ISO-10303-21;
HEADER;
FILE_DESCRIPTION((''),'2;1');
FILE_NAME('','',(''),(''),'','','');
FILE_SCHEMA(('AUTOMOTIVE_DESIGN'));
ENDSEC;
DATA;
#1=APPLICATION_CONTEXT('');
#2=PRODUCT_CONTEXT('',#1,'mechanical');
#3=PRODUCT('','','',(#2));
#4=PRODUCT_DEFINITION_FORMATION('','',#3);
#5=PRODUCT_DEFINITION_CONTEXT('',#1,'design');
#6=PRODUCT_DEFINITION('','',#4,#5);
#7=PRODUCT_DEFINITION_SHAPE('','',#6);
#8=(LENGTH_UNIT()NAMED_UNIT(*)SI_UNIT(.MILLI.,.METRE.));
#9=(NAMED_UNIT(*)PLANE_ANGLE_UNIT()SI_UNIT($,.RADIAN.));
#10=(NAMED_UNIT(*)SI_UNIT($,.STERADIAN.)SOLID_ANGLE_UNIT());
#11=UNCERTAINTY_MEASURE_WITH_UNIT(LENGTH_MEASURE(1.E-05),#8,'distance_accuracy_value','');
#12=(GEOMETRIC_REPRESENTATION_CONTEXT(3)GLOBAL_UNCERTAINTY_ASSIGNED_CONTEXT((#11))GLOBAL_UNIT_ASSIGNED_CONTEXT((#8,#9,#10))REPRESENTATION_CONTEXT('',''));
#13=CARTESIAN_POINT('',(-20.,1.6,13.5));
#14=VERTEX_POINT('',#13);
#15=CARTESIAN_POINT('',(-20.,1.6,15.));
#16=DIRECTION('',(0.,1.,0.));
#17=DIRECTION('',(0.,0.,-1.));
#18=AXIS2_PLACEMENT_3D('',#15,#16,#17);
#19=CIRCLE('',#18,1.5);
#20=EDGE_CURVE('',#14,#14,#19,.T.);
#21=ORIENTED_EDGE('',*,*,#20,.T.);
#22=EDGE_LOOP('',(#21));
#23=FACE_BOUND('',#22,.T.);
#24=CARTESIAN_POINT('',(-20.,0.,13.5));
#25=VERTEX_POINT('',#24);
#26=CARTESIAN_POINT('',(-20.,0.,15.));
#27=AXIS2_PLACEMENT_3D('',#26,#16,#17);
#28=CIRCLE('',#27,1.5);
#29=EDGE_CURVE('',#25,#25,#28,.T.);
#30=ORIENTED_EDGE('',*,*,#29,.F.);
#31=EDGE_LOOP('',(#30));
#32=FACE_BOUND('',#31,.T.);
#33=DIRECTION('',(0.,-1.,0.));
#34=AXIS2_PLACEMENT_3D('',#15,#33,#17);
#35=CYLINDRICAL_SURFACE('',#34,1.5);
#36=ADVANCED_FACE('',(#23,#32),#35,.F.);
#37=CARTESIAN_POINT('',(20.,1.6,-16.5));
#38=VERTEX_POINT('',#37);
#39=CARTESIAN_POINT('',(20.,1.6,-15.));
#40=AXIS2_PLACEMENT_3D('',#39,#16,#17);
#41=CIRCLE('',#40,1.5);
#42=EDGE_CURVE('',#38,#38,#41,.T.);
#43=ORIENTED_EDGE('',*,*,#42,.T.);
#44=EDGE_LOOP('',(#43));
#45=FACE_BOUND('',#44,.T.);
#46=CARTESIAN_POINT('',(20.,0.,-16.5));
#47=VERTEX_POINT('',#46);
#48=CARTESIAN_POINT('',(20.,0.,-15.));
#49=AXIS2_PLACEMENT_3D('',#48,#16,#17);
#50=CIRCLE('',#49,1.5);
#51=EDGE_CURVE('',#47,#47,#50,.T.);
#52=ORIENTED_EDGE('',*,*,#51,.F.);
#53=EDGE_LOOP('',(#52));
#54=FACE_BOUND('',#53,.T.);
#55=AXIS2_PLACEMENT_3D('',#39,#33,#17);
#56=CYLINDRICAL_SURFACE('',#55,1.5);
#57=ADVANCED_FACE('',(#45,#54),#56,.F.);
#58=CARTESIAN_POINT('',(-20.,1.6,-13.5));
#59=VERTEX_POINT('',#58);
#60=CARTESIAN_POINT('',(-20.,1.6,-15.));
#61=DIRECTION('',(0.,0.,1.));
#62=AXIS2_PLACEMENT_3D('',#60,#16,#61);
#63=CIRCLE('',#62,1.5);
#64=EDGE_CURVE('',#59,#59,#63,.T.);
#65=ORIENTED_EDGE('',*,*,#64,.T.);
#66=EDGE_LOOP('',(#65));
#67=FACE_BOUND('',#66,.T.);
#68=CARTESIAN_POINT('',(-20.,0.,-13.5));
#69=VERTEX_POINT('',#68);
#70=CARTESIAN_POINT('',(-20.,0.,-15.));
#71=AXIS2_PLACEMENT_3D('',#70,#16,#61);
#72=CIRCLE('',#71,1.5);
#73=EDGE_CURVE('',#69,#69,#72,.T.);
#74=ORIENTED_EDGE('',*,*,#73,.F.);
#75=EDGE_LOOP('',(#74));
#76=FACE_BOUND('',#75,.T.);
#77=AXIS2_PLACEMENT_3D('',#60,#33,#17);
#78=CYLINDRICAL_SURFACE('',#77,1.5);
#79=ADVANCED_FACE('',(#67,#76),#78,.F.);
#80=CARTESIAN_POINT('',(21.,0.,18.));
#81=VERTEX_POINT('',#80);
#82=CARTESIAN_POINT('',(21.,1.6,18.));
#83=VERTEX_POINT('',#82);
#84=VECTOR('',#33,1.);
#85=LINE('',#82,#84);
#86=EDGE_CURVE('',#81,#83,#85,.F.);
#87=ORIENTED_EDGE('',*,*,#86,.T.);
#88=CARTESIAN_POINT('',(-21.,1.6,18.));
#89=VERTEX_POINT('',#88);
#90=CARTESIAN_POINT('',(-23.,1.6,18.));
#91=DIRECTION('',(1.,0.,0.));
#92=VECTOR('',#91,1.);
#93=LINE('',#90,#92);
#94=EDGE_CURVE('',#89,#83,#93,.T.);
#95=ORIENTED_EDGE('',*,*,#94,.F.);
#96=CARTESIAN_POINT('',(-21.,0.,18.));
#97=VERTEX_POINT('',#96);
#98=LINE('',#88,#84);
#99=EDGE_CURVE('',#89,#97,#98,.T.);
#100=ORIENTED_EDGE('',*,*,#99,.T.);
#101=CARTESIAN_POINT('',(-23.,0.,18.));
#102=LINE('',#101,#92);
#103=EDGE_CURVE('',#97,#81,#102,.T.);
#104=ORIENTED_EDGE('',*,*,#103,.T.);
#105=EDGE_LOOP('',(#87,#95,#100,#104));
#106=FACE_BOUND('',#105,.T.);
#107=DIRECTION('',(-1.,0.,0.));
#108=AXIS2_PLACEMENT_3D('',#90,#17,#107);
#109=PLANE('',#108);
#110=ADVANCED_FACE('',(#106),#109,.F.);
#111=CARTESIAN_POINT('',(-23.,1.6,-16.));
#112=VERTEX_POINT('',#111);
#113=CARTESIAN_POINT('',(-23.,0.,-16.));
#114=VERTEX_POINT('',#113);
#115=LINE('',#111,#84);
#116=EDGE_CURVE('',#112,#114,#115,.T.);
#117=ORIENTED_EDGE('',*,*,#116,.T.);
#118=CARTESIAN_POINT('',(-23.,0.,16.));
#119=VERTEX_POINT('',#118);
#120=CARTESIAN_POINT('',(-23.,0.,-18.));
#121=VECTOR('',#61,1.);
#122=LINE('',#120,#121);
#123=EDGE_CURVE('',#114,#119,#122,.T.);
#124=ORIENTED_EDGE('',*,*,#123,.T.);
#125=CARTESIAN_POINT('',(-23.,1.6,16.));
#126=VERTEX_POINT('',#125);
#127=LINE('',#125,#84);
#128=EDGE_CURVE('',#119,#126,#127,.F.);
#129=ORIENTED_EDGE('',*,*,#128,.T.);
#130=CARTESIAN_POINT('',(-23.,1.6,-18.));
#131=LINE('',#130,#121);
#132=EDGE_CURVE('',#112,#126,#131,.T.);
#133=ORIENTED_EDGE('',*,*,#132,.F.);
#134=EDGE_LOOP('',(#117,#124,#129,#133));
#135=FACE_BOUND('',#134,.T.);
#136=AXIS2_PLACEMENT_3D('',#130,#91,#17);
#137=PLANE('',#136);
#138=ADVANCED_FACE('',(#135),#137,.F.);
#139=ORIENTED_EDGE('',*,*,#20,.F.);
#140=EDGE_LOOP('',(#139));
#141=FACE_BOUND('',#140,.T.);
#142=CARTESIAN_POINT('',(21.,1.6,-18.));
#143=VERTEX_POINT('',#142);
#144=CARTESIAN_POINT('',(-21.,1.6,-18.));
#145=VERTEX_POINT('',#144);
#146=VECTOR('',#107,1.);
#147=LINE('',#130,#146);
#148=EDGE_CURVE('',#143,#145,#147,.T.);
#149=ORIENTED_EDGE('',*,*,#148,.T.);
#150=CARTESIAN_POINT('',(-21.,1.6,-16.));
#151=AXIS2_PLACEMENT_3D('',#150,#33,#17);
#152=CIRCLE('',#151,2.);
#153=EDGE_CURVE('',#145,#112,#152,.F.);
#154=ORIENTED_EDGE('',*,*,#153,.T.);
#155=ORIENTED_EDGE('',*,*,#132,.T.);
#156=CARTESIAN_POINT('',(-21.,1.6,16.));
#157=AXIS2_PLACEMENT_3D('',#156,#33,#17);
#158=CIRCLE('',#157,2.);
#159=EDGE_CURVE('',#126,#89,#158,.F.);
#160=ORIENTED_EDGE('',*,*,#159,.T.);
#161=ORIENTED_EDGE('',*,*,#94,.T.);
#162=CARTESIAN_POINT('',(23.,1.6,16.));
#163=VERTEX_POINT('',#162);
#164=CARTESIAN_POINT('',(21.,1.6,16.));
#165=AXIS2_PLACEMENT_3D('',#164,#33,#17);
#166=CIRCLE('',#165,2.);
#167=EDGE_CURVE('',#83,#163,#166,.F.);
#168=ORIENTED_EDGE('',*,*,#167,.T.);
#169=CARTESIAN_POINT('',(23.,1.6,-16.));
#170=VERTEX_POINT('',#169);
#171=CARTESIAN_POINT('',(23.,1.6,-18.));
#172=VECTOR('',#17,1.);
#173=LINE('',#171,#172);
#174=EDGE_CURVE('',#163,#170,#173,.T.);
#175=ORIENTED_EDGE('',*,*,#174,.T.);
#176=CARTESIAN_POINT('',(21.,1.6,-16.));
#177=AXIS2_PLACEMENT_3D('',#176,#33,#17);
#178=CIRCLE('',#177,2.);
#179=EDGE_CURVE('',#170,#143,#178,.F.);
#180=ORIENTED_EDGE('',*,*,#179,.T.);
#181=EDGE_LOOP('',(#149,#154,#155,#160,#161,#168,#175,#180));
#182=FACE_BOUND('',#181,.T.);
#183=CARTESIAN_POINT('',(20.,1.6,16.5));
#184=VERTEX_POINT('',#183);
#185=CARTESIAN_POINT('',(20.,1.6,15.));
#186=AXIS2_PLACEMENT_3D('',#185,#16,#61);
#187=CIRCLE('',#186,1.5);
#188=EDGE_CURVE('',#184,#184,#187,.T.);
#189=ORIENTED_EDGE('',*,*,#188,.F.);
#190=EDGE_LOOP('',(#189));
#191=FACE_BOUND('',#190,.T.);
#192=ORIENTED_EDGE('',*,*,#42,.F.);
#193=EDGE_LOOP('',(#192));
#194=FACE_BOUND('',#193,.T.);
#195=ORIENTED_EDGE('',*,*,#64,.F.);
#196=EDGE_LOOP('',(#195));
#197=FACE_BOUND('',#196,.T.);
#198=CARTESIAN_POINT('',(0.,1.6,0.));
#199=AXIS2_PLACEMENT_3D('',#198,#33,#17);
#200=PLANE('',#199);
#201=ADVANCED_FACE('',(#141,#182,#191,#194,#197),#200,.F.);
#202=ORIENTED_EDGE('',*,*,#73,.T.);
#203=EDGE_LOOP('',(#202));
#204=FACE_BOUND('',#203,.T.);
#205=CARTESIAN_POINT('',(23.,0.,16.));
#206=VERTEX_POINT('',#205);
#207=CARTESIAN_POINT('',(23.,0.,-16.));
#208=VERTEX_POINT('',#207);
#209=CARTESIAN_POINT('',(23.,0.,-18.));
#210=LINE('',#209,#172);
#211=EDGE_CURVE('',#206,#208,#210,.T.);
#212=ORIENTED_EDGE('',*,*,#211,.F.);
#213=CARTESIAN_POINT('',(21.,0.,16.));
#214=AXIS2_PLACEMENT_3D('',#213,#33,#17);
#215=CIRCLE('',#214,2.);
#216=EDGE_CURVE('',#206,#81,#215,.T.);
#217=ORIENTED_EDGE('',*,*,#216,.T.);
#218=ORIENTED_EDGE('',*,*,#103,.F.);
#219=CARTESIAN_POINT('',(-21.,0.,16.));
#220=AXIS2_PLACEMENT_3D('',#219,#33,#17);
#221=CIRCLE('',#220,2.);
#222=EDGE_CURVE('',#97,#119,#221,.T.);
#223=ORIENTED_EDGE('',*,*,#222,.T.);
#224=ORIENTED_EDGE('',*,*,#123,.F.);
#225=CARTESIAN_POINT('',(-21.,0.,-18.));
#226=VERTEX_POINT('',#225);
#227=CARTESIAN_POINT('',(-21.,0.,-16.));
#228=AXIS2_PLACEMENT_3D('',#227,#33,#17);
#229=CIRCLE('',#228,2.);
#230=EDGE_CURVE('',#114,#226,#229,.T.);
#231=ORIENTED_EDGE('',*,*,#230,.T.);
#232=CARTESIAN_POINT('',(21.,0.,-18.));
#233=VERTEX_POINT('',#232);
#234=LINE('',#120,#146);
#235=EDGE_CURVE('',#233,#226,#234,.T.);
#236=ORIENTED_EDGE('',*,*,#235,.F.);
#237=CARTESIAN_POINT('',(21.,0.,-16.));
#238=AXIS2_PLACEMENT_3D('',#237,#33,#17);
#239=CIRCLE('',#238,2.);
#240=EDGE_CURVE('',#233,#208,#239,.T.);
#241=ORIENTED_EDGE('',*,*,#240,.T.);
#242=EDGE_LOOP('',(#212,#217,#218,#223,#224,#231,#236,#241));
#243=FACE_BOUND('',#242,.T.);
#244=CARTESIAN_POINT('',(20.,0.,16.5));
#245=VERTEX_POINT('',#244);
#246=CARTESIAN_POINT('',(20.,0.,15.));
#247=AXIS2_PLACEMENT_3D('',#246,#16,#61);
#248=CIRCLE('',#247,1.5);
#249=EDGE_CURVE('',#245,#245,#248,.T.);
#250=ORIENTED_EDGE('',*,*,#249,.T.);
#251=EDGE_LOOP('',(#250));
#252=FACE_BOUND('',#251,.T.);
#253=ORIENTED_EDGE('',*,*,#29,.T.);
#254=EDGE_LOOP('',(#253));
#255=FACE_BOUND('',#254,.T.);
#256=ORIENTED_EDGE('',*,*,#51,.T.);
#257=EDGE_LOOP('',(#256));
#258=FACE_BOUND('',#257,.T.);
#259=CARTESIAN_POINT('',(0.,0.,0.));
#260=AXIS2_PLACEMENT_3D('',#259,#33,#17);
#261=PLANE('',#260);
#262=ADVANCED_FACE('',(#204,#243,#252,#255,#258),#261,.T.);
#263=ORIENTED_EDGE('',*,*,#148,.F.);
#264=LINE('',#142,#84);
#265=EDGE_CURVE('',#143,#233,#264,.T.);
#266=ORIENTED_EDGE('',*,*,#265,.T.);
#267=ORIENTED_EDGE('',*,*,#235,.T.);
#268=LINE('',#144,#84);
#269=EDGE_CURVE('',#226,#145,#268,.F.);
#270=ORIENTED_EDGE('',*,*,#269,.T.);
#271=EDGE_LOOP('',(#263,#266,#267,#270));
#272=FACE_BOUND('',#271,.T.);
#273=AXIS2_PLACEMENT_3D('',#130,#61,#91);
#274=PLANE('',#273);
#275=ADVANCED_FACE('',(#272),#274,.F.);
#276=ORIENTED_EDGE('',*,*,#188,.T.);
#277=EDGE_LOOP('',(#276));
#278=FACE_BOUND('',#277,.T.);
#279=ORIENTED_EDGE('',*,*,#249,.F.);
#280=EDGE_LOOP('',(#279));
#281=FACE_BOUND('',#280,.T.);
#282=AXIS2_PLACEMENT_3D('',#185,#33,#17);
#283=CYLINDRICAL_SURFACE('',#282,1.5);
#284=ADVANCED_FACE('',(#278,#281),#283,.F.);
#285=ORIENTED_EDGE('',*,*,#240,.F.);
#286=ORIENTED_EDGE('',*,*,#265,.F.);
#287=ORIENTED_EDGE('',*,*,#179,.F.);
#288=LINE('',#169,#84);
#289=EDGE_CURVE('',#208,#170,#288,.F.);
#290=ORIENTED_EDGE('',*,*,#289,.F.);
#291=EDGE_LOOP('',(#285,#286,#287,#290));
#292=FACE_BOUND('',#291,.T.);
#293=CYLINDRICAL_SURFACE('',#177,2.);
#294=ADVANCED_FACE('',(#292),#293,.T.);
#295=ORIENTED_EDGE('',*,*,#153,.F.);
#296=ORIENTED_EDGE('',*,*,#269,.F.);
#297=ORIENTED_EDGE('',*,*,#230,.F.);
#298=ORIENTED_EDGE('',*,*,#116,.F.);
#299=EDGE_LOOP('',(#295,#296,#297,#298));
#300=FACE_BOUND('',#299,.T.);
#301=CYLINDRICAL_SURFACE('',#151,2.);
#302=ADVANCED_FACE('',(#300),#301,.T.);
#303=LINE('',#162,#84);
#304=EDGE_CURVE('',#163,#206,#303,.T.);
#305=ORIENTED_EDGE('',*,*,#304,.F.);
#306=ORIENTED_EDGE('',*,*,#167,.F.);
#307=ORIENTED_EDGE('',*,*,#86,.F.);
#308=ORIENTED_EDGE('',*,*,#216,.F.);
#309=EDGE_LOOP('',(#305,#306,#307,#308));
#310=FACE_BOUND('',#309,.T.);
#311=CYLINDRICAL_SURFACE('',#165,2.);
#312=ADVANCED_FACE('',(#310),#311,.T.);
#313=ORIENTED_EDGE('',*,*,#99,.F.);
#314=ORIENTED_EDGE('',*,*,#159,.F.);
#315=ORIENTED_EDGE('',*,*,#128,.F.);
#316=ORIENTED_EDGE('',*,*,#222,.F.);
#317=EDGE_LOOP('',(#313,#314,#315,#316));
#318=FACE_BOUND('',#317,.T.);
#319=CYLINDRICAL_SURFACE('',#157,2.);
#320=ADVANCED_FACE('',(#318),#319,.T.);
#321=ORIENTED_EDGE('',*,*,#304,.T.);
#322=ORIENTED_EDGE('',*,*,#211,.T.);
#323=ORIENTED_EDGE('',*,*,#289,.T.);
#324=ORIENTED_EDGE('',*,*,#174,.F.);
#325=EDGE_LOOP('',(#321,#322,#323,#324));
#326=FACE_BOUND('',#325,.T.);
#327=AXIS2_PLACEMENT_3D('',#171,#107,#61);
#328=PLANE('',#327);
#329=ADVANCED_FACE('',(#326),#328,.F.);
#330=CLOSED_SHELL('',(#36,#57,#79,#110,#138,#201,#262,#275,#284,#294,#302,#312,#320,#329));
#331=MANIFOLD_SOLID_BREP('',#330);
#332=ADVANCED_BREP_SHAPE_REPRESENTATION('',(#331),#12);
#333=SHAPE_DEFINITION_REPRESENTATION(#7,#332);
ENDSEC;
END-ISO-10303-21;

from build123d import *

# Parameters (mm, degrees)
SKETCH1_W           = 46
SKETCH1_H           = 36
SKETCH1_R           = 1.5
BOSS_EXTRUDE1_DEPTH = 1.6
FILLET1_R           = 2


with BuildPart() as part:
    # Sketch1 → Boss-Extrude1 (new body)
    with BuildSketch(Plane(origin=(0, 0, 0), x_dir=(1, 0, 0), z_dir=(0, 1, 0))):
        Rectangle(SKETCH1_W, SKETCH1_H)
        with Locations(Location((-20, 15, 0), (0, 0, 270))):
            Circle(SKETCH1_R, mode=Mode.SUBTRACT)
        with Locations(Location((20, 15, 0), (0, 0, 90))):
            Circle(SKETCH1_R, mode=Mode.SUBTRACT)
        with Locations(Location((-20, -15, 0), (0, 0, 90))):
            Circle(SKETCH1_R, mode=Mode.SUBTRACT)
        with Locations(Location((20, -15, 0), (0, 0, 270))):
            Circle(SKETCH1_R, mode=Mode.SUBTRACT)
    extrude(amount=BOSS_EXTRUDE1_DEPTH)

    # Fillet1
    fillet1_edges = [part.edges().sort_by_distance(p)[0] for p in [
        (23, 0.8, -18),
        (23, 0.8, 18),
        (-23, 0.8, 18),
        (-23, 0.8, -18),
    ]]
    fillet(fillet1_edges, radius=FILLET1_R)


solid = part.part
